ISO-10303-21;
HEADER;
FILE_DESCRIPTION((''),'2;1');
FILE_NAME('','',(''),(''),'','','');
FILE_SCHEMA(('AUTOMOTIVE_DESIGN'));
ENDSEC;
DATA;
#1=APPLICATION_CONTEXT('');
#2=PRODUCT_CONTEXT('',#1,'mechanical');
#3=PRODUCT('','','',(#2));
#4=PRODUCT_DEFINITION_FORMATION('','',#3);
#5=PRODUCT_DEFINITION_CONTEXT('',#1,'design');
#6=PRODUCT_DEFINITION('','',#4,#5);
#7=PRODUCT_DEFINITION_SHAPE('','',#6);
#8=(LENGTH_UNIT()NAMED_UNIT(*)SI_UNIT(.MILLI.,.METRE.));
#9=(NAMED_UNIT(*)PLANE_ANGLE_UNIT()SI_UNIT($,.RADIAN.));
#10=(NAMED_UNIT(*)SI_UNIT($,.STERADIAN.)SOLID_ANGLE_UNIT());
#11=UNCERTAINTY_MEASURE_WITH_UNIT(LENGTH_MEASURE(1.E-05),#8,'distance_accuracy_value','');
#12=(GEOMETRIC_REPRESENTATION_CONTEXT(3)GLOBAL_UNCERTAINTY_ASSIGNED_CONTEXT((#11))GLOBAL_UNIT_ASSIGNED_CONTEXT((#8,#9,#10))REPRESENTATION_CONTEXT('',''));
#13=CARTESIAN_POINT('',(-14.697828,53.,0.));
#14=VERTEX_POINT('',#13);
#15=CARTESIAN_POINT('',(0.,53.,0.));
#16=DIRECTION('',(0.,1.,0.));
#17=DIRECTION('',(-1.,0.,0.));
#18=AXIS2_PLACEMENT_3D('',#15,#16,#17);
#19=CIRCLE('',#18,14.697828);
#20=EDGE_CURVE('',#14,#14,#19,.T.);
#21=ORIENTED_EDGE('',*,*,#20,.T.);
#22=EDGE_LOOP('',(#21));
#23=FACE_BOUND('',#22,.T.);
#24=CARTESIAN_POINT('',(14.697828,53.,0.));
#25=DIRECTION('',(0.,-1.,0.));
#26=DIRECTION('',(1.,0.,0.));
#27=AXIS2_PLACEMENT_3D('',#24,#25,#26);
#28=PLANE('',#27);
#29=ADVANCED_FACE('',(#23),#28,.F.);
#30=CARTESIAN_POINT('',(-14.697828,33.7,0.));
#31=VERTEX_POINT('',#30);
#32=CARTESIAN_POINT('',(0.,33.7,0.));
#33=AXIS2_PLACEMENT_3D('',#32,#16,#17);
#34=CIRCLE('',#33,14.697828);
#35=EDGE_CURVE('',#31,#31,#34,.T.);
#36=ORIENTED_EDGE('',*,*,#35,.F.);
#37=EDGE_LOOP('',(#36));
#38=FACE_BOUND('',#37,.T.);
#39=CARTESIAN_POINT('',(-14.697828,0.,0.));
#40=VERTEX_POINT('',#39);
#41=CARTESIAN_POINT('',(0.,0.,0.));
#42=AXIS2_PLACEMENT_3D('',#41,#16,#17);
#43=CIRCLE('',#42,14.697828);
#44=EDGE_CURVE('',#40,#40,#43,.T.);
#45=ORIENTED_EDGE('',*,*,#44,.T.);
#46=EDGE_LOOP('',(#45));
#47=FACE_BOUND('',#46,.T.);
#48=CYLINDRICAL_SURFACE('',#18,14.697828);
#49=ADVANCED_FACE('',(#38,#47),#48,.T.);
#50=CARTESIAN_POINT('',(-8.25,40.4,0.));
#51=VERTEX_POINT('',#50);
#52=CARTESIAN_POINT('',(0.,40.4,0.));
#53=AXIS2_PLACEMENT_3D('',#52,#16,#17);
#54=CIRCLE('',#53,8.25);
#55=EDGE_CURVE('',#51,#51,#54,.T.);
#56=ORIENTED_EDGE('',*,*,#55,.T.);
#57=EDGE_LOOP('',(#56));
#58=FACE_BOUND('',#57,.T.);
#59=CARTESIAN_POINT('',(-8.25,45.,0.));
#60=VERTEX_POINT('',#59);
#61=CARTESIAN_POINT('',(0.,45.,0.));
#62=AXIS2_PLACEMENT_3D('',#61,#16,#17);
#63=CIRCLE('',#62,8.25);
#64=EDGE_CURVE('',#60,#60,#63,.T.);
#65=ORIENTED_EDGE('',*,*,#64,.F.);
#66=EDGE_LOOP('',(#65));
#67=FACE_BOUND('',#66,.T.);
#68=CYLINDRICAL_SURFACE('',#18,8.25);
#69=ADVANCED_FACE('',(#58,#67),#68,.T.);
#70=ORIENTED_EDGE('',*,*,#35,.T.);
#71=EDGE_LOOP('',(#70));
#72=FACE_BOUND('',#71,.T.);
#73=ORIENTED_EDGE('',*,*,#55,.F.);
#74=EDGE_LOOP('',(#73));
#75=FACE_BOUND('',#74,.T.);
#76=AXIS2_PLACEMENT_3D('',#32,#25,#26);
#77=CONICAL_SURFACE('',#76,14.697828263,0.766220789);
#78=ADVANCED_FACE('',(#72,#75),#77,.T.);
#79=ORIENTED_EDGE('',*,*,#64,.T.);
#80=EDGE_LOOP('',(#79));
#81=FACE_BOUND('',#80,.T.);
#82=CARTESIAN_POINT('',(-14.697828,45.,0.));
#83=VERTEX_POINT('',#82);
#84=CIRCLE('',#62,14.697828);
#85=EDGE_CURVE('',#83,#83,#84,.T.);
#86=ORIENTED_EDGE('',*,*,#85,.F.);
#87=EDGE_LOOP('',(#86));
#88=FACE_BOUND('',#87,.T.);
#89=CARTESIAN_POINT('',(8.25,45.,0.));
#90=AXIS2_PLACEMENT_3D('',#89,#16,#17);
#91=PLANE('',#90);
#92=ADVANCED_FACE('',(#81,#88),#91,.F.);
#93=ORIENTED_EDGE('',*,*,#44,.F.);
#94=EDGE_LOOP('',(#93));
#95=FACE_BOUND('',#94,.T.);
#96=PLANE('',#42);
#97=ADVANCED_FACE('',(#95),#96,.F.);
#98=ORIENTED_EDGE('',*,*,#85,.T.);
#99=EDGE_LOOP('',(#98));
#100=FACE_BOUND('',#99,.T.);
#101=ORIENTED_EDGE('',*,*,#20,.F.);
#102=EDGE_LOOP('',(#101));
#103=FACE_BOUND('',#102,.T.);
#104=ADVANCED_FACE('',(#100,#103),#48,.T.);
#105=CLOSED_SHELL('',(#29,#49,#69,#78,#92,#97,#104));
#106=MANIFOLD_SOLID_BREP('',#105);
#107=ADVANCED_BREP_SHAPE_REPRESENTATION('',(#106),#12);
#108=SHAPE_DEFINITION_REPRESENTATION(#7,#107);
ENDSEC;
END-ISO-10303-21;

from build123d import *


with BuildPart() as part:
    # Sketch1 → Revolve1 (revolve)
    with BuildSketch(Plane.XY):
        Polygon((0, 0), (14.697828263, 0), (14.697828263, 33.7), (8.25, 40.4), (8.25, 45), (14.697828263, 45), (14.697828263, 53), (0, 53), align=None)
    revolve(axis=Axis((0, 53, 0), (0, -1, 0)))


solid = part.part
